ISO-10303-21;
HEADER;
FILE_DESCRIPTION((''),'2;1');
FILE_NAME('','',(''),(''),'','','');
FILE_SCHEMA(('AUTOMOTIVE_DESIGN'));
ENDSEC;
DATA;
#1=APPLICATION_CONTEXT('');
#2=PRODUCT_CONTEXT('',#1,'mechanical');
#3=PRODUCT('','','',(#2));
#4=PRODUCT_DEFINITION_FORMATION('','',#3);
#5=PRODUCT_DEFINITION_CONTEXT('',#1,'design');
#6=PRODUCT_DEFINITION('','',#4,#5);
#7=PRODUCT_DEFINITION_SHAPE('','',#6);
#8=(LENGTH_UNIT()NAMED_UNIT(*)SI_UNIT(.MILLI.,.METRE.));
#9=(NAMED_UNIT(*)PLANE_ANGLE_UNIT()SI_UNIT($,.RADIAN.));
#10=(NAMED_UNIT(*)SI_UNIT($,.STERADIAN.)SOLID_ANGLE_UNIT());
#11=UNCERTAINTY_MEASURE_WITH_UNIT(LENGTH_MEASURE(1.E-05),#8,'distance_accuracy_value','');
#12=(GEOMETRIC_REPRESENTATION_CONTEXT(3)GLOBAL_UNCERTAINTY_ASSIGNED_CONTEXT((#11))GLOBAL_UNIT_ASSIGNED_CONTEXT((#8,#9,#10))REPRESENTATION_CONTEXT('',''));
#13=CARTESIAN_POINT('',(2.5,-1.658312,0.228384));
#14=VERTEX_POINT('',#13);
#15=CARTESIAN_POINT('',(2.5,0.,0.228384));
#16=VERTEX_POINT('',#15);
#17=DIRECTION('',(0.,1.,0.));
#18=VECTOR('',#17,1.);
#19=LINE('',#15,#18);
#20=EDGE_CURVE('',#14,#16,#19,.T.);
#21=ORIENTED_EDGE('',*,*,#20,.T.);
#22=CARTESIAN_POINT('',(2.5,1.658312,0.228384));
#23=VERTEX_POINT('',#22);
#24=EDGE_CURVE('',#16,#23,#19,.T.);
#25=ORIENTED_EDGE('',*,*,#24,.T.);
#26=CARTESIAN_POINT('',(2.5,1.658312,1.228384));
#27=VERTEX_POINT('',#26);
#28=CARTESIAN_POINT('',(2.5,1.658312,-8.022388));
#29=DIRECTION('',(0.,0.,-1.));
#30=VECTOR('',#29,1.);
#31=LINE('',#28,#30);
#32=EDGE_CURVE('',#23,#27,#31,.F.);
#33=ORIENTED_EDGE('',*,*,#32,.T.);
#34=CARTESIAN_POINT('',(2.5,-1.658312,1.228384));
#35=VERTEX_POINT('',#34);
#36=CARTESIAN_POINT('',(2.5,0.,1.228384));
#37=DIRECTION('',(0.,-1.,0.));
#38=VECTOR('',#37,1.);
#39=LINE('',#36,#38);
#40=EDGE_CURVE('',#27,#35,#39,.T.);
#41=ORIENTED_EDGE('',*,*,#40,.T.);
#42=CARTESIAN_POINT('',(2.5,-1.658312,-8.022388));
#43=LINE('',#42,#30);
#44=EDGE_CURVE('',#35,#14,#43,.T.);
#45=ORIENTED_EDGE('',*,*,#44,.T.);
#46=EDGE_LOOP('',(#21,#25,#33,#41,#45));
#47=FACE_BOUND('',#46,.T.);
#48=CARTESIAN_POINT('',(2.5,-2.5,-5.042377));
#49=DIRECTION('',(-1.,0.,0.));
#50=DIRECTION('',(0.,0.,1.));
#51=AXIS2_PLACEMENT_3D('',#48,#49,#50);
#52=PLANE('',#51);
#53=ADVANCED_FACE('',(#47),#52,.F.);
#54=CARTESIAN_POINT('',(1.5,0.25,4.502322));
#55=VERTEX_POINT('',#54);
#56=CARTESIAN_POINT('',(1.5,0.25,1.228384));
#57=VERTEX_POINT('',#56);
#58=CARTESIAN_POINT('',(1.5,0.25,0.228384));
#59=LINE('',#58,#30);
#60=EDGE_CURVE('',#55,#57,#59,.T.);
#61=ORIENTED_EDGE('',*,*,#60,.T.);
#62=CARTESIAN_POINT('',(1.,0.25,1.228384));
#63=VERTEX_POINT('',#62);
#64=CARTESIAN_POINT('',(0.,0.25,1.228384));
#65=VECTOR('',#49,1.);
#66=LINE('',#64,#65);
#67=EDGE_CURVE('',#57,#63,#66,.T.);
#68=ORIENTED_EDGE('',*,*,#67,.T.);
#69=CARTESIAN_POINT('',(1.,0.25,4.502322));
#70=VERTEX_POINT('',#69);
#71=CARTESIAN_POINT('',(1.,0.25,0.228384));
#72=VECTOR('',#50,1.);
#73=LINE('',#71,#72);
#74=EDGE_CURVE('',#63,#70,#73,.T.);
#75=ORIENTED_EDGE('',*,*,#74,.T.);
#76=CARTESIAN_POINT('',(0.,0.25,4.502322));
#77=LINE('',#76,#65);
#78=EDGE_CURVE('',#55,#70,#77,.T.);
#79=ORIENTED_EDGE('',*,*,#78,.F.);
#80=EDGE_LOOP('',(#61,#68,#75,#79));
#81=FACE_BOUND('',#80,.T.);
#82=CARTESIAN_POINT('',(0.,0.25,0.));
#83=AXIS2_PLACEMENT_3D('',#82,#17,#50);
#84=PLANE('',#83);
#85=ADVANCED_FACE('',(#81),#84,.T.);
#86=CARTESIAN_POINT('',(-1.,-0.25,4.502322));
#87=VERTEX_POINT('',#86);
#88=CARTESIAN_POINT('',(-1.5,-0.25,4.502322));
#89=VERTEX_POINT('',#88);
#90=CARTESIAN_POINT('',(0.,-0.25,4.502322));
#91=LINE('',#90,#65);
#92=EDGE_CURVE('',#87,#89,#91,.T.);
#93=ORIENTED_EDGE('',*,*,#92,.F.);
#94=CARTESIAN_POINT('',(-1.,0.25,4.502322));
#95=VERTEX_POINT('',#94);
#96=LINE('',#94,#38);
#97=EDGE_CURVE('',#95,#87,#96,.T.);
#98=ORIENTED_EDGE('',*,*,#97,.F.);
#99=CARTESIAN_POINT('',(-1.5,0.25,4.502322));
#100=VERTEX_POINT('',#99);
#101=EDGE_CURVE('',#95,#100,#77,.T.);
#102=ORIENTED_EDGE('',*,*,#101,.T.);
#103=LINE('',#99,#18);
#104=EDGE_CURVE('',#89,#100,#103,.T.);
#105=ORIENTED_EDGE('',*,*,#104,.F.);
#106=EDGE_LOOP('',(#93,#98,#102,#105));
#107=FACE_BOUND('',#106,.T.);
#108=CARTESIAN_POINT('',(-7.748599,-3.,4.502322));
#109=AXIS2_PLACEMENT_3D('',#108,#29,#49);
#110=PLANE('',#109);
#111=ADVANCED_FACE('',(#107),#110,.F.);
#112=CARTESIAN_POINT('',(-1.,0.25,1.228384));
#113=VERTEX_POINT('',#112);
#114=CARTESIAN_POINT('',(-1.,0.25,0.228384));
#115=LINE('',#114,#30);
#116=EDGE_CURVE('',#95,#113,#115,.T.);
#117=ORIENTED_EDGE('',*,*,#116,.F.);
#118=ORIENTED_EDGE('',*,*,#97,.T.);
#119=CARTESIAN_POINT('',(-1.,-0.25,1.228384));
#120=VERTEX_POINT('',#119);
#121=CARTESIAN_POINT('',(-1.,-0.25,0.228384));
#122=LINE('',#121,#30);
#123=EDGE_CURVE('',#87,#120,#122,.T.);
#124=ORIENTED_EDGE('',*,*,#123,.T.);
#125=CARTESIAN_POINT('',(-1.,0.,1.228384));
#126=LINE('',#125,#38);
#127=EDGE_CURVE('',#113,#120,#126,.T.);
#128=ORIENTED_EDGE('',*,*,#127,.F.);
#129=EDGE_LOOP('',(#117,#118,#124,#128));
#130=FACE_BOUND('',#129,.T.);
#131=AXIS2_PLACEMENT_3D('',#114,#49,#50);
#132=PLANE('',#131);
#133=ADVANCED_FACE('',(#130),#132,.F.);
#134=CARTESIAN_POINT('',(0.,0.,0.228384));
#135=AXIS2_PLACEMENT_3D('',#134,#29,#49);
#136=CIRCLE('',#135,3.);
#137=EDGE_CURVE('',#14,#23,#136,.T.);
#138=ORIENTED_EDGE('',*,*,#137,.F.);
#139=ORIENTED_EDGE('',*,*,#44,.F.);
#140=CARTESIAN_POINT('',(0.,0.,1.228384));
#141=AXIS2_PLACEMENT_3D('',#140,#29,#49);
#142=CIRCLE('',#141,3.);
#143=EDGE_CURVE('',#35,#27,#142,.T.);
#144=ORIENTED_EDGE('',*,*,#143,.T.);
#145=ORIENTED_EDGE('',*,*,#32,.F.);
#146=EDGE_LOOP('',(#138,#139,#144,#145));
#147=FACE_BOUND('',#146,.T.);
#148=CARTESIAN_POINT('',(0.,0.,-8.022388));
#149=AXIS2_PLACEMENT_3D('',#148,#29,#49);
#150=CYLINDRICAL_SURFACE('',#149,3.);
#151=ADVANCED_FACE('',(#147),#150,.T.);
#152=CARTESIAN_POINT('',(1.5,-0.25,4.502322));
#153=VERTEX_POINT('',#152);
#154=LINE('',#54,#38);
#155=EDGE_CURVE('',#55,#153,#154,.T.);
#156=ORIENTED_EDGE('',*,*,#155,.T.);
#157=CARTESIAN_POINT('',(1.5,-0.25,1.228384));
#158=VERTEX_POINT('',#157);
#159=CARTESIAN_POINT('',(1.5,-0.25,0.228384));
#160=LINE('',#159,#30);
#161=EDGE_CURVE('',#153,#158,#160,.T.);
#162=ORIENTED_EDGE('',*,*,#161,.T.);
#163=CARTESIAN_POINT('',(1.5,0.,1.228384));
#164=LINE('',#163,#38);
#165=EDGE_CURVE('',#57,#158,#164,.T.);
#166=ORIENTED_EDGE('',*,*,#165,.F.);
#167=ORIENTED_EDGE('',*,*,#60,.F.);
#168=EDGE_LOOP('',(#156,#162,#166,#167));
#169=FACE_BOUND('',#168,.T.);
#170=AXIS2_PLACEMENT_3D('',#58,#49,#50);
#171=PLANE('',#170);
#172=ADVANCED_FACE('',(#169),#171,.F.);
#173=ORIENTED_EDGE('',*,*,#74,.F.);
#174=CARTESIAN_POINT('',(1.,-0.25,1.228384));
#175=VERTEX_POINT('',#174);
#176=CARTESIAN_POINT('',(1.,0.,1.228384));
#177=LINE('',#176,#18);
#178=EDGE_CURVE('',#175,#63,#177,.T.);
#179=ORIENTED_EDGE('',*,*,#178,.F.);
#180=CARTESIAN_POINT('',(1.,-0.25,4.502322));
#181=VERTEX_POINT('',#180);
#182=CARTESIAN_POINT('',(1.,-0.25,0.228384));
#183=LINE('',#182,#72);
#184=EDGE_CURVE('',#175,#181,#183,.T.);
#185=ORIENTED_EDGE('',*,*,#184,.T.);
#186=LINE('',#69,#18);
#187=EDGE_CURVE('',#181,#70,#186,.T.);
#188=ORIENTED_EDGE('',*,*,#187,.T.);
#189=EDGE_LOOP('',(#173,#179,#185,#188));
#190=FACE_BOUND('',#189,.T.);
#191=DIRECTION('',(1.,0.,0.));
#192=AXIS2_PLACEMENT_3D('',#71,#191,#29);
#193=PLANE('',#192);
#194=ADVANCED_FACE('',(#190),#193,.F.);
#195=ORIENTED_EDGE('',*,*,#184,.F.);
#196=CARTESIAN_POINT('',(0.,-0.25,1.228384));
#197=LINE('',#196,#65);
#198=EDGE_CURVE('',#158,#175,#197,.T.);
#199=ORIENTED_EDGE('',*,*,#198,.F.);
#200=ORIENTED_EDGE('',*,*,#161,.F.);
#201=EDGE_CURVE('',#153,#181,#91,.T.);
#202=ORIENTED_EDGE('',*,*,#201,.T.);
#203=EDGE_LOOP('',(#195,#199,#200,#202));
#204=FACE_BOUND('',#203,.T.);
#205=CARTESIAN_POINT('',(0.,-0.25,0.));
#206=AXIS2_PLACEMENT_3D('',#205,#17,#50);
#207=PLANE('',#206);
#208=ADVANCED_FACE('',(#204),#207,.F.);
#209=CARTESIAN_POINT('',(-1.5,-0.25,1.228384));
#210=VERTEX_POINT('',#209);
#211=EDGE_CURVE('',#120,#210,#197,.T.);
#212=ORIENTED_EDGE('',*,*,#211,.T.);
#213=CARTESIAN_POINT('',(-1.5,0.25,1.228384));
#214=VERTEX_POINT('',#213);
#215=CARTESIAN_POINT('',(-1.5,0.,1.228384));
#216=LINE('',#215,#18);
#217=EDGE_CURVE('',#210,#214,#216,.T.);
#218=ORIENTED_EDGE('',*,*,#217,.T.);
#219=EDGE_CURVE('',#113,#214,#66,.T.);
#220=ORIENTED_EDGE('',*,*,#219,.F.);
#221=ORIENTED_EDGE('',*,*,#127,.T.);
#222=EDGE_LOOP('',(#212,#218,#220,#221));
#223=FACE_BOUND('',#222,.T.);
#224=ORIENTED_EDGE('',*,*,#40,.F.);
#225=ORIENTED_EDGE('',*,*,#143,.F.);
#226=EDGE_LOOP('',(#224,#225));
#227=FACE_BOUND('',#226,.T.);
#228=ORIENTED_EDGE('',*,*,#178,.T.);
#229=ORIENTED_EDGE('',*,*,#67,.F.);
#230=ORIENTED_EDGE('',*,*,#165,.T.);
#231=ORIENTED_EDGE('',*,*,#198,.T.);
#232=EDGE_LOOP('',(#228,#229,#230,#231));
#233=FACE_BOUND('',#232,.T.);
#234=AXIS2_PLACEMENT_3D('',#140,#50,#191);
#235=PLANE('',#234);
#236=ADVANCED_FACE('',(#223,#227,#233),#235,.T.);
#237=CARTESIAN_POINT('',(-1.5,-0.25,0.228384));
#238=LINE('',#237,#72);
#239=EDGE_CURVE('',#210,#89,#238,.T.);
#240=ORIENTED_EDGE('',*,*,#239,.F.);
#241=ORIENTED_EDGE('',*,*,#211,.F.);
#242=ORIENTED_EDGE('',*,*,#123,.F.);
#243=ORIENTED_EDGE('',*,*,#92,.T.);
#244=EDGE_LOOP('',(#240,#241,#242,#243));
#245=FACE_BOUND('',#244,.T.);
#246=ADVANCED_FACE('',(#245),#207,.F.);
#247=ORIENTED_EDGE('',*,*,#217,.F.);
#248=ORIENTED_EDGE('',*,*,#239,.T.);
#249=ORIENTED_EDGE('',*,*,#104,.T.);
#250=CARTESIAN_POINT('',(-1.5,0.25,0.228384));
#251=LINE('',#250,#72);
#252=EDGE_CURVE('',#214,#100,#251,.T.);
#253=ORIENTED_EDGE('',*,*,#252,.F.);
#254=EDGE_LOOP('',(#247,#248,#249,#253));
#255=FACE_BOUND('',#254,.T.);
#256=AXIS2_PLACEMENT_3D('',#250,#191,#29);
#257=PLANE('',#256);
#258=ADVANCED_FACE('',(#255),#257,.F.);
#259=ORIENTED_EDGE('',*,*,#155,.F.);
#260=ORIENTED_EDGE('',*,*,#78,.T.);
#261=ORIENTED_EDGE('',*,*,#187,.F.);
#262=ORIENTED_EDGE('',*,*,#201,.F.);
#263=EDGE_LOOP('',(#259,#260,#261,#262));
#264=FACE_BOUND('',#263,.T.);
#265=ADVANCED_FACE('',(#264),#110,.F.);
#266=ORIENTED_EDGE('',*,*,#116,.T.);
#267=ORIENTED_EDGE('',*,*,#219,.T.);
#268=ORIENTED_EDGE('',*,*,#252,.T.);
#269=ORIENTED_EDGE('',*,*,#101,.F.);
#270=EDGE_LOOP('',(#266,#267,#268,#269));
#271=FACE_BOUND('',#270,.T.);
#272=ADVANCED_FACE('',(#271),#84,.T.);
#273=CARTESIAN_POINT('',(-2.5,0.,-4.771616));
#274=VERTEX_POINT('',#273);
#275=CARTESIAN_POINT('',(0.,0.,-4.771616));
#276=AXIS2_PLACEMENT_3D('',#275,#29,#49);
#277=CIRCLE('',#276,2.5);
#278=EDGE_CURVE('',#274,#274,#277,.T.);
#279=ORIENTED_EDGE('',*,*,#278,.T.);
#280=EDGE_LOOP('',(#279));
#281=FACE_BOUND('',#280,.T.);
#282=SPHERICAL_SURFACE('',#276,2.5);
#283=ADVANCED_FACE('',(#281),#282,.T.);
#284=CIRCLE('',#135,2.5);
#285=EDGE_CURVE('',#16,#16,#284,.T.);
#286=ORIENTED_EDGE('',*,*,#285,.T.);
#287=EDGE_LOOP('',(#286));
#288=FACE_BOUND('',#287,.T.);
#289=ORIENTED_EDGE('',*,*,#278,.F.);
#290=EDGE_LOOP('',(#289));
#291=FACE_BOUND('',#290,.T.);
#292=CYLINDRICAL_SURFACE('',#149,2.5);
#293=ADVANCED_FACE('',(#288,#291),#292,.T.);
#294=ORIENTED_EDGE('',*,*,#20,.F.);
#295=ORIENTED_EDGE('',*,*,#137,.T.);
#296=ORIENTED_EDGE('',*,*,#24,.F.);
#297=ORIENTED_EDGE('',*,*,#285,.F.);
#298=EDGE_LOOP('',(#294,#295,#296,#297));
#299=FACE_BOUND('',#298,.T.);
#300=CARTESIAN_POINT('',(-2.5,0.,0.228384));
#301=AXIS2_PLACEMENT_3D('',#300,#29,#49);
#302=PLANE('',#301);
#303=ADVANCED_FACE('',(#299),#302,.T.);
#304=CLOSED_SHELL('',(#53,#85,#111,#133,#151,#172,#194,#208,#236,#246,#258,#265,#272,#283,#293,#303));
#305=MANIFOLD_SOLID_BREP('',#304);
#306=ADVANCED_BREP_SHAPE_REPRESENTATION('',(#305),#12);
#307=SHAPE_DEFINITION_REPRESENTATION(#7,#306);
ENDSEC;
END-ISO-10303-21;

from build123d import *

# Parameters (mm, degrees)
SKETCH5_W               = 0.5
SKETCH5_H               = 29
SKETCH5_H_2             = 27
BOSS_EXTRUDE1_DEPTH     = 0.25
SKETCH6_W               = 3.089069264
SKETCH6_H               = 11.690007215
CUT_EXTRUDE1_DEPTH      = 2.5
CUT_EXTRUDE2_DEPTH      = 30.534698967
CUT_EXTRUDE2_DEPTH_BACK = 30.534698967
SKETCH7_W               = 17.118012924
SKETCH7_H               = 27.873578567


with BuildPart() as part:
    # Sketch4 → Revolve1 (revolve)
    with BuildSketch(Plane(origin=(0, 0, 0), x_dir=(1, 0, 0), z_dir=(0, 1, 0))):
        with BuildLine():
            Line((-2.5, 4.771615798), (-2.5, -0.228384202))
            Line((-2.5, -0.228384202), (-3, -0.228384202))
            Line((-3, -0.228384202), (-3, -1.228384202))
            Line((-3, -1.228384202), (0, -1.228384202))
            Line((0, -1.228384202), (0, 7.271615798))
            ThreePointArc((0, 7.271615798), (-1.767766953, 6.539382751), (-2.5, 4.771615798))
        make_face()
    revolve(axis=Axis((0, 0, -8.02238806), (0, 0, 1)))

    # Sketch5 → Boss-Extrude1 (add, symmetric)
    with BuildSketch(Plane(origin=(0, 0, 0), x_dir=(1, 0, 0), z_dir=(0, 1, 0))):
        with Locations((-1.25, -14.728384202)):
            Rectangle(SKETCH5_W, SKETCH5_H)
        with Locations((1.25, -13.728384202)):
            Rectangle(SKETCH5_W, SKETCH5_H_2)
    extrude(amount=BOSS_EXTRUDE1_DEPTH, both=True)

    # Sketch6 → Cut-Extrude1 (cut, symmetric)
    with BuildSketch(Plane(origin=(0, 0, 0), x_dir=(1, 0, 0), z_dir=(0, 1, 0))):
        with Locations((4.044534632, -0.802626626)):
            Rectangle(SKETCH6_W, SKETCH6_H)
    extrude(amount=CUT_EXTRUDE1_DEPTH, both=True, mode=Mode.SUBTRACT)

    # Sketch7 → Cut-Extrude2 (cut, two sides: drawn at the far end of the back side and taken through both)
    with BuildSketch(Plane(origin=(0, 0, 0), x_dir=(1, 0, 0), z_dir=(0, 1, 0)).offset(-CUT_EXTRUDE2_DEPTH_BACK)):
        with Locations((0.81040788, -18.439111074)):
            Rectangle(SKETCH7_W, SKETCH7_H)
    extrude(amount=CUT_EXTRUDE2_DEPTH + CUT_EXTRUDE2_DEPTH_BACK, mode=Mode.SUBTRACT)


solid = part.part
